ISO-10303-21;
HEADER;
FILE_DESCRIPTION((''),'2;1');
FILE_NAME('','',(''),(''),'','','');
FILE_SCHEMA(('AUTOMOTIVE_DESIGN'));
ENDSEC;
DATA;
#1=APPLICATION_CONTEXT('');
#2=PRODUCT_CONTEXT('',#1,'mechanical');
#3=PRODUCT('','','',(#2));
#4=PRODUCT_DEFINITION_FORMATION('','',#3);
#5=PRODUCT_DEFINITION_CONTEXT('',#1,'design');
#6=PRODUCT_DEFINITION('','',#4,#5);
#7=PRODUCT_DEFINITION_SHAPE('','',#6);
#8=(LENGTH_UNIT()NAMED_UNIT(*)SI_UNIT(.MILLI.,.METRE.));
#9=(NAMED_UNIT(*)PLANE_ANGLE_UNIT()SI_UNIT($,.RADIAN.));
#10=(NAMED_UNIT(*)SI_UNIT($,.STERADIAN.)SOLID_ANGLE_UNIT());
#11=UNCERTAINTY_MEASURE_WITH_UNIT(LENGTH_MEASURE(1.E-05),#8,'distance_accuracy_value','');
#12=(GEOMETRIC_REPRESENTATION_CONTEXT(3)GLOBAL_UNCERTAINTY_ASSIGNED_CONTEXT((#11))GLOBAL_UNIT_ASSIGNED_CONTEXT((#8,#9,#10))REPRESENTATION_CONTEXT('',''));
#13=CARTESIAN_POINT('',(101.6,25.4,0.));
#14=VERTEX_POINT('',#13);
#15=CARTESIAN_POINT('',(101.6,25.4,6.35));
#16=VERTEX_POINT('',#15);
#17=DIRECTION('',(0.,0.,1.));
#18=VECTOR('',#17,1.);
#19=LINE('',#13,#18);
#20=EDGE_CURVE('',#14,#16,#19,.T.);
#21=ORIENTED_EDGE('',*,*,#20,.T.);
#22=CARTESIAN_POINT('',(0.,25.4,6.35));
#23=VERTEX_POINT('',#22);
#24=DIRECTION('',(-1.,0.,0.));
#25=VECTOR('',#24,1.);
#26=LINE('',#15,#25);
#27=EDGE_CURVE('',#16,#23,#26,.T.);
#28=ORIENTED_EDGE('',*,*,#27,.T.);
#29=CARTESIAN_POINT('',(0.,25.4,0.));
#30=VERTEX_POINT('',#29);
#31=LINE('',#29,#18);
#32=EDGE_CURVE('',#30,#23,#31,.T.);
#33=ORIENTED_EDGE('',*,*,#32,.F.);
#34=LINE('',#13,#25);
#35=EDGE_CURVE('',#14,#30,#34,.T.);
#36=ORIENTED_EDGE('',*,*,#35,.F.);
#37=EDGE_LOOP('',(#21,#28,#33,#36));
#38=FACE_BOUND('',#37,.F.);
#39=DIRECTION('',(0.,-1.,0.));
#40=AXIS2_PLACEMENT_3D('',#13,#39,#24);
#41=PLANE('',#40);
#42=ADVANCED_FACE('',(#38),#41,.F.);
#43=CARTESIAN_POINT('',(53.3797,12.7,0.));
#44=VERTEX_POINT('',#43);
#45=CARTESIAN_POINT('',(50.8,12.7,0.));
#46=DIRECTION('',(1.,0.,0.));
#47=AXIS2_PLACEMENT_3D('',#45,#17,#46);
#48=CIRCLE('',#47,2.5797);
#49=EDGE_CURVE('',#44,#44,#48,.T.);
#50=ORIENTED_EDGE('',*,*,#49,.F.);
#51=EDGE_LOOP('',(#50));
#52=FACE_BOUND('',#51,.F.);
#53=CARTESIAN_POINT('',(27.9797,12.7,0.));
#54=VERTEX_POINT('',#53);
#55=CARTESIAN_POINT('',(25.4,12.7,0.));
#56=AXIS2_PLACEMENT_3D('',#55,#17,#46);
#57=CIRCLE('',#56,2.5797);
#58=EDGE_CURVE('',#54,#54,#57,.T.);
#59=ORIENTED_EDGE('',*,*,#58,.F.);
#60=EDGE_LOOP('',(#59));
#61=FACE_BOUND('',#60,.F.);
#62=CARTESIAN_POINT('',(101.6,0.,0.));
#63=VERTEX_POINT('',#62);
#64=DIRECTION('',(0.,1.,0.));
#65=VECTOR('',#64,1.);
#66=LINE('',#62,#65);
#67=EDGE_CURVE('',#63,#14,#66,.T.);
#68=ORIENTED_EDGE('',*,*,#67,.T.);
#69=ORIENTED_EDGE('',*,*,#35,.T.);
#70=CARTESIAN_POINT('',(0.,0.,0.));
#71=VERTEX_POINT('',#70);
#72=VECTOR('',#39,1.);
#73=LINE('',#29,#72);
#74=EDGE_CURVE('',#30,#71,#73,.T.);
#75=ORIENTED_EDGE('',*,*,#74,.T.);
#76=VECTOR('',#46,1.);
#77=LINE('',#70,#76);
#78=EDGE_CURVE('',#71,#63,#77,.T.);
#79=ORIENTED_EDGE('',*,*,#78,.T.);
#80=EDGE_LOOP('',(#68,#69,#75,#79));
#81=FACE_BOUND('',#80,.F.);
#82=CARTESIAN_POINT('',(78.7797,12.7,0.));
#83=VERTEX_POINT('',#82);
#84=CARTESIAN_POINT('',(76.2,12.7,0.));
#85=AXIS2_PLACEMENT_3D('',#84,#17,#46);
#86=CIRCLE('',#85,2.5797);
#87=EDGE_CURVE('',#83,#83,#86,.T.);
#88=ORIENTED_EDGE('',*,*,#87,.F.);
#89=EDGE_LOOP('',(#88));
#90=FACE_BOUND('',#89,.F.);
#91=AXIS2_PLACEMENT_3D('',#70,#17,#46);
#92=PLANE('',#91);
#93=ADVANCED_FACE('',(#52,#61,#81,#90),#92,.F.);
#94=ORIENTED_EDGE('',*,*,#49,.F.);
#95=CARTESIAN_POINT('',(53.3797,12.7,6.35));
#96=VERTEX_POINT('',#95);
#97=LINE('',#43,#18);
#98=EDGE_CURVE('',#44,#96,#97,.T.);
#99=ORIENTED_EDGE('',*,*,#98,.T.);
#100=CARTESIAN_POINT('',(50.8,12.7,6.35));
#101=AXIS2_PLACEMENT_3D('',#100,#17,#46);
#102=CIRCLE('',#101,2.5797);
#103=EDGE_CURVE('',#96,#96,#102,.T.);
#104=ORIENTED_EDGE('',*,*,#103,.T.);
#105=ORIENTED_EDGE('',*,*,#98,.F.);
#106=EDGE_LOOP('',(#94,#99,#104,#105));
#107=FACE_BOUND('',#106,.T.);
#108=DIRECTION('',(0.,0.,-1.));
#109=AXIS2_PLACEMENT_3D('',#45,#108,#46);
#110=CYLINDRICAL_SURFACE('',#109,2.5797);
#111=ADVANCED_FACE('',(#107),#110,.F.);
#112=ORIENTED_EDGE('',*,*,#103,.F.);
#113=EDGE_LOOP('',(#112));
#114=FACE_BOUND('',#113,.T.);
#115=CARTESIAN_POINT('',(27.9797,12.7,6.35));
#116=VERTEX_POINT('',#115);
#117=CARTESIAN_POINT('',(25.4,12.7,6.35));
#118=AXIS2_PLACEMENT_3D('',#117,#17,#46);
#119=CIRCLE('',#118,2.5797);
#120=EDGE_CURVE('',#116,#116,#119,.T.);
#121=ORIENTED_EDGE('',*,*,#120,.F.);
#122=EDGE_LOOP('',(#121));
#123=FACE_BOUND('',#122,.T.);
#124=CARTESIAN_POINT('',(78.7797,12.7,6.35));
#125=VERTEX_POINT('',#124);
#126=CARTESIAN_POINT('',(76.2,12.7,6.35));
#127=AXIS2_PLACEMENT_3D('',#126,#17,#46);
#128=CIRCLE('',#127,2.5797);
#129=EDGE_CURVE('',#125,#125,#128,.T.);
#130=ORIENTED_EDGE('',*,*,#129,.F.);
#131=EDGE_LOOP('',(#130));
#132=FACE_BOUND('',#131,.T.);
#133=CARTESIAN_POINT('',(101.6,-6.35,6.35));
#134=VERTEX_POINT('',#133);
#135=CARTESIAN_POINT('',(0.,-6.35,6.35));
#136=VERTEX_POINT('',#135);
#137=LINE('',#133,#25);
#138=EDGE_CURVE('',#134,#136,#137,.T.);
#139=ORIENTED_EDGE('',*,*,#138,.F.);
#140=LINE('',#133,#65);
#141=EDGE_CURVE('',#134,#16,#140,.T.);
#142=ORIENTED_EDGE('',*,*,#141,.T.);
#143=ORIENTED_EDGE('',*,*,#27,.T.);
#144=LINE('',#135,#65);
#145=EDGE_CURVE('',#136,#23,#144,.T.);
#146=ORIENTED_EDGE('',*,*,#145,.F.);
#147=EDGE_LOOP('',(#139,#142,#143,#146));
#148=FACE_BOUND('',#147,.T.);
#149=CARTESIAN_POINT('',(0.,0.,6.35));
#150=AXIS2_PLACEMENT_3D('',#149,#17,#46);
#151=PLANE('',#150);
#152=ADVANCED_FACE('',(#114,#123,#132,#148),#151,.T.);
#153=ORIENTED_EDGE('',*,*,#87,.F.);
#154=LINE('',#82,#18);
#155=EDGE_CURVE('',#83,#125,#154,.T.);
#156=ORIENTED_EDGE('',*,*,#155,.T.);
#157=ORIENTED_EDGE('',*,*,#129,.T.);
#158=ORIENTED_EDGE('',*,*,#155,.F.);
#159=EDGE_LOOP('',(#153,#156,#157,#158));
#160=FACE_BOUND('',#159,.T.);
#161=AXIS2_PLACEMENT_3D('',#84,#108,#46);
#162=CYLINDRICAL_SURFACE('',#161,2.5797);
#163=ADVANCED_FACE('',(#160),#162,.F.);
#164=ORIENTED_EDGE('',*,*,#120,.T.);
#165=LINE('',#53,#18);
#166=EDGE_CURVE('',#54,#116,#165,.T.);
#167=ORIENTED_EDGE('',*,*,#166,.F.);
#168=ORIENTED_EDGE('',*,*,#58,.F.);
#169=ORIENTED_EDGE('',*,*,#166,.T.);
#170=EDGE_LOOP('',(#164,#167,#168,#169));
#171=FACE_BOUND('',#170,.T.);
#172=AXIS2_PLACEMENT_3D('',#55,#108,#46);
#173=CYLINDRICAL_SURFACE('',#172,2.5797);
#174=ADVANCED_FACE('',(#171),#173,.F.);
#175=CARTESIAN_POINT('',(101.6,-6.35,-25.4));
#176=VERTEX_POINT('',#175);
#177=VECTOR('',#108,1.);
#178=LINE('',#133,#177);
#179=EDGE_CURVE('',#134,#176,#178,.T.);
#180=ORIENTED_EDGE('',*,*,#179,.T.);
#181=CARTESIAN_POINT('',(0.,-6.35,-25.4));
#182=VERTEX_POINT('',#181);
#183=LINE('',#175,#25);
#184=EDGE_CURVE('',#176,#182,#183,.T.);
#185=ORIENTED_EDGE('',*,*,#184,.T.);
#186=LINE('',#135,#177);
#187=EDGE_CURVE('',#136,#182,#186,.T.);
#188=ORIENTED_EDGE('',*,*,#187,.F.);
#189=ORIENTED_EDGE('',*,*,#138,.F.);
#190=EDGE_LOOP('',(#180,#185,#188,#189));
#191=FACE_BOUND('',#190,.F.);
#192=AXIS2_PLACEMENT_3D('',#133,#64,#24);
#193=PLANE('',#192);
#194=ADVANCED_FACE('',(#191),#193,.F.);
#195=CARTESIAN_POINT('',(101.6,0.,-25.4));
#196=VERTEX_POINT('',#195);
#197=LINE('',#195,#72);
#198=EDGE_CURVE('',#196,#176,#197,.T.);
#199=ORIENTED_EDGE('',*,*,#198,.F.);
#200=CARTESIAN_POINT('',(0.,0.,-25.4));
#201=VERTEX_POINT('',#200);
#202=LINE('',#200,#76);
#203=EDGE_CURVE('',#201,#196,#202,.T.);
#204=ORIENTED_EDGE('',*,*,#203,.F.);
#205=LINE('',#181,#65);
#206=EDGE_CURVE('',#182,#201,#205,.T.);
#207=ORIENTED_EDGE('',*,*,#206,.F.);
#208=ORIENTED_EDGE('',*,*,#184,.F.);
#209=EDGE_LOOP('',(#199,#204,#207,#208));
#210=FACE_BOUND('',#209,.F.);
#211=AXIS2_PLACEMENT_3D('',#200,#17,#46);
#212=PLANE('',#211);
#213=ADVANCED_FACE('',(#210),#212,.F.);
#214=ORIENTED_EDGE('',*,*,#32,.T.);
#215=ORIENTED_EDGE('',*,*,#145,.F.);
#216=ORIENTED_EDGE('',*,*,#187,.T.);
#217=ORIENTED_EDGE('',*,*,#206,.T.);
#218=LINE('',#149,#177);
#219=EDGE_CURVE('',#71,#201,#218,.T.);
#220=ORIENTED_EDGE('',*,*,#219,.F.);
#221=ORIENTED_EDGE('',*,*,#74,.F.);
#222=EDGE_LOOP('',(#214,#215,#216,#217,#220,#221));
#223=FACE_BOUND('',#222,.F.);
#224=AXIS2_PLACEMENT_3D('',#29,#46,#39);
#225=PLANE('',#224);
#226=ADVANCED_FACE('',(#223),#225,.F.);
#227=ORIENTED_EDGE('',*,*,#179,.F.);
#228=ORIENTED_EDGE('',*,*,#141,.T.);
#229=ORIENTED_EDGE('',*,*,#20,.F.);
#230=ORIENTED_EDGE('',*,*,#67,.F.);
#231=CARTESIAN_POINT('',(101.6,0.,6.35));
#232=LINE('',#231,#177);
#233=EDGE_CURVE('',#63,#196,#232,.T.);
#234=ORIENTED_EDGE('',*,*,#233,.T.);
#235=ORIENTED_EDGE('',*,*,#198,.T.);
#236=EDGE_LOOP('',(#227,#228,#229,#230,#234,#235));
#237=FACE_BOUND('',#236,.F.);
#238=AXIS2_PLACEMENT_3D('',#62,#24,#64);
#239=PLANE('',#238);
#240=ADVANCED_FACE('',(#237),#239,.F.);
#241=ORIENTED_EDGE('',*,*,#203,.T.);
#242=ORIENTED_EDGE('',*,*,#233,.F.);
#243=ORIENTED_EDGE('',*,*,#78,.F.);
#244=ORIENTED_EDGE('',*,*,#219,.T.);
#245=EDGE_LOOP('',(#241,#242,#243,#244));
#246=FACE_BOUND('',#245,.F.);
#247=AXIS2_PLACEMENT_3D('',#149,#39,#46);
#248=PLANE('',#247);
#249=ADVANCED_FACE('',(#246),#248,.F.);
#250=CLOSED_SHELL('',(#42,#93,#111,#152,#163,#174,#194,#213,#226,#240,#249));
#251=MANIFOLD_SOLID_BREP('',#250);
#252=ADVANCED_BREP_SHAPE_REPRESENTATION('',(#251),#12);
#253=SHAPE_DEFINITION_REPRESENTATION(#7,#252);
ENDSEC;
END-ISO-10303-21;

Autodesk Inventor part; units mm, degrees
ref_plane "YZ Plane" through (0, 0, 0) normal (1, 0, 0) x (0, 1, 0)
ref_plane "XZ Plane" through (0, 0, 0) normal (0, 1, 0) x (-1, 0, 0)
ref_plane "XY Plane" through (0, 0, 0) normal (0, 0, 1) x (1, 0, 0)
sketch "Sketch1" plane through (0, 0, 0) normal (0, 0, 1) x (1, 0, 0)
  line L0 (0, 0) -> (101.6, 0)
  line L1 (101.6, 0) -> (101.6, 25.4)
  line L2 (101.6, 25.4) -> (0, 25.4)
  line L3 (0, 25.4) -> (0, 0)
  line L4 (0, 12.7) -> (101.6, 12.7) construction
  line L5 (50.8, 25.4) -> (50.8, 0) construction
  line L6 (101.6, 24.1606) -> (76.2, 24.1606) construction
  line L7 (76.2, 24.1606) -> (50.8, 24.1606) construction
  line L8 (50.8, 24.1606) -> (25.4, 24.1606) construction
  line L9 (25.4, 24.1606) -> (0, 24.1606) construction
  circle A0 centre (25.4, 12.7) radius 2.5797
  circle A1 centre (50.8, 12.7) radius 2.5797
  circle A2 centre (76.2, 12.7) radius 2.5797
  dimension "d0" = 101.6
  dimension "d1" = 25.4
  dimension "d2" = 25.4
  dimension "d3" = 25.4
  dimension "d4" = 25.4
  dimension "d5" = 5.1594
  dimension "d6" = 5.1594
  dimension "d7" = 5.1594
extrude "Extrusion1" add sketch "Sketch1" along normal blind 6.35
sketch "Sketch2" plane through (0, 0, 6.35) normal (0, 0, 1) x (1, 0, 0)
  line L0 (0, 0) -> (101.6, 0) projected
  line L1 (0, 0) -> (101.6, 0)
  line L2 (101.6, 0) -> (101.6, -6.35)
  line L3 (101.6, -6.35) -> (0, -6.35)
  line L4 (0, -6.35) -> (0, 0)
  dimension "d10" = 6.35
  dimension "d11" = 101.6
extrude "Extrusion2" add sketch "Sketch2" against normal blind 31.75
properties part number "jigproto1 2018ver"
